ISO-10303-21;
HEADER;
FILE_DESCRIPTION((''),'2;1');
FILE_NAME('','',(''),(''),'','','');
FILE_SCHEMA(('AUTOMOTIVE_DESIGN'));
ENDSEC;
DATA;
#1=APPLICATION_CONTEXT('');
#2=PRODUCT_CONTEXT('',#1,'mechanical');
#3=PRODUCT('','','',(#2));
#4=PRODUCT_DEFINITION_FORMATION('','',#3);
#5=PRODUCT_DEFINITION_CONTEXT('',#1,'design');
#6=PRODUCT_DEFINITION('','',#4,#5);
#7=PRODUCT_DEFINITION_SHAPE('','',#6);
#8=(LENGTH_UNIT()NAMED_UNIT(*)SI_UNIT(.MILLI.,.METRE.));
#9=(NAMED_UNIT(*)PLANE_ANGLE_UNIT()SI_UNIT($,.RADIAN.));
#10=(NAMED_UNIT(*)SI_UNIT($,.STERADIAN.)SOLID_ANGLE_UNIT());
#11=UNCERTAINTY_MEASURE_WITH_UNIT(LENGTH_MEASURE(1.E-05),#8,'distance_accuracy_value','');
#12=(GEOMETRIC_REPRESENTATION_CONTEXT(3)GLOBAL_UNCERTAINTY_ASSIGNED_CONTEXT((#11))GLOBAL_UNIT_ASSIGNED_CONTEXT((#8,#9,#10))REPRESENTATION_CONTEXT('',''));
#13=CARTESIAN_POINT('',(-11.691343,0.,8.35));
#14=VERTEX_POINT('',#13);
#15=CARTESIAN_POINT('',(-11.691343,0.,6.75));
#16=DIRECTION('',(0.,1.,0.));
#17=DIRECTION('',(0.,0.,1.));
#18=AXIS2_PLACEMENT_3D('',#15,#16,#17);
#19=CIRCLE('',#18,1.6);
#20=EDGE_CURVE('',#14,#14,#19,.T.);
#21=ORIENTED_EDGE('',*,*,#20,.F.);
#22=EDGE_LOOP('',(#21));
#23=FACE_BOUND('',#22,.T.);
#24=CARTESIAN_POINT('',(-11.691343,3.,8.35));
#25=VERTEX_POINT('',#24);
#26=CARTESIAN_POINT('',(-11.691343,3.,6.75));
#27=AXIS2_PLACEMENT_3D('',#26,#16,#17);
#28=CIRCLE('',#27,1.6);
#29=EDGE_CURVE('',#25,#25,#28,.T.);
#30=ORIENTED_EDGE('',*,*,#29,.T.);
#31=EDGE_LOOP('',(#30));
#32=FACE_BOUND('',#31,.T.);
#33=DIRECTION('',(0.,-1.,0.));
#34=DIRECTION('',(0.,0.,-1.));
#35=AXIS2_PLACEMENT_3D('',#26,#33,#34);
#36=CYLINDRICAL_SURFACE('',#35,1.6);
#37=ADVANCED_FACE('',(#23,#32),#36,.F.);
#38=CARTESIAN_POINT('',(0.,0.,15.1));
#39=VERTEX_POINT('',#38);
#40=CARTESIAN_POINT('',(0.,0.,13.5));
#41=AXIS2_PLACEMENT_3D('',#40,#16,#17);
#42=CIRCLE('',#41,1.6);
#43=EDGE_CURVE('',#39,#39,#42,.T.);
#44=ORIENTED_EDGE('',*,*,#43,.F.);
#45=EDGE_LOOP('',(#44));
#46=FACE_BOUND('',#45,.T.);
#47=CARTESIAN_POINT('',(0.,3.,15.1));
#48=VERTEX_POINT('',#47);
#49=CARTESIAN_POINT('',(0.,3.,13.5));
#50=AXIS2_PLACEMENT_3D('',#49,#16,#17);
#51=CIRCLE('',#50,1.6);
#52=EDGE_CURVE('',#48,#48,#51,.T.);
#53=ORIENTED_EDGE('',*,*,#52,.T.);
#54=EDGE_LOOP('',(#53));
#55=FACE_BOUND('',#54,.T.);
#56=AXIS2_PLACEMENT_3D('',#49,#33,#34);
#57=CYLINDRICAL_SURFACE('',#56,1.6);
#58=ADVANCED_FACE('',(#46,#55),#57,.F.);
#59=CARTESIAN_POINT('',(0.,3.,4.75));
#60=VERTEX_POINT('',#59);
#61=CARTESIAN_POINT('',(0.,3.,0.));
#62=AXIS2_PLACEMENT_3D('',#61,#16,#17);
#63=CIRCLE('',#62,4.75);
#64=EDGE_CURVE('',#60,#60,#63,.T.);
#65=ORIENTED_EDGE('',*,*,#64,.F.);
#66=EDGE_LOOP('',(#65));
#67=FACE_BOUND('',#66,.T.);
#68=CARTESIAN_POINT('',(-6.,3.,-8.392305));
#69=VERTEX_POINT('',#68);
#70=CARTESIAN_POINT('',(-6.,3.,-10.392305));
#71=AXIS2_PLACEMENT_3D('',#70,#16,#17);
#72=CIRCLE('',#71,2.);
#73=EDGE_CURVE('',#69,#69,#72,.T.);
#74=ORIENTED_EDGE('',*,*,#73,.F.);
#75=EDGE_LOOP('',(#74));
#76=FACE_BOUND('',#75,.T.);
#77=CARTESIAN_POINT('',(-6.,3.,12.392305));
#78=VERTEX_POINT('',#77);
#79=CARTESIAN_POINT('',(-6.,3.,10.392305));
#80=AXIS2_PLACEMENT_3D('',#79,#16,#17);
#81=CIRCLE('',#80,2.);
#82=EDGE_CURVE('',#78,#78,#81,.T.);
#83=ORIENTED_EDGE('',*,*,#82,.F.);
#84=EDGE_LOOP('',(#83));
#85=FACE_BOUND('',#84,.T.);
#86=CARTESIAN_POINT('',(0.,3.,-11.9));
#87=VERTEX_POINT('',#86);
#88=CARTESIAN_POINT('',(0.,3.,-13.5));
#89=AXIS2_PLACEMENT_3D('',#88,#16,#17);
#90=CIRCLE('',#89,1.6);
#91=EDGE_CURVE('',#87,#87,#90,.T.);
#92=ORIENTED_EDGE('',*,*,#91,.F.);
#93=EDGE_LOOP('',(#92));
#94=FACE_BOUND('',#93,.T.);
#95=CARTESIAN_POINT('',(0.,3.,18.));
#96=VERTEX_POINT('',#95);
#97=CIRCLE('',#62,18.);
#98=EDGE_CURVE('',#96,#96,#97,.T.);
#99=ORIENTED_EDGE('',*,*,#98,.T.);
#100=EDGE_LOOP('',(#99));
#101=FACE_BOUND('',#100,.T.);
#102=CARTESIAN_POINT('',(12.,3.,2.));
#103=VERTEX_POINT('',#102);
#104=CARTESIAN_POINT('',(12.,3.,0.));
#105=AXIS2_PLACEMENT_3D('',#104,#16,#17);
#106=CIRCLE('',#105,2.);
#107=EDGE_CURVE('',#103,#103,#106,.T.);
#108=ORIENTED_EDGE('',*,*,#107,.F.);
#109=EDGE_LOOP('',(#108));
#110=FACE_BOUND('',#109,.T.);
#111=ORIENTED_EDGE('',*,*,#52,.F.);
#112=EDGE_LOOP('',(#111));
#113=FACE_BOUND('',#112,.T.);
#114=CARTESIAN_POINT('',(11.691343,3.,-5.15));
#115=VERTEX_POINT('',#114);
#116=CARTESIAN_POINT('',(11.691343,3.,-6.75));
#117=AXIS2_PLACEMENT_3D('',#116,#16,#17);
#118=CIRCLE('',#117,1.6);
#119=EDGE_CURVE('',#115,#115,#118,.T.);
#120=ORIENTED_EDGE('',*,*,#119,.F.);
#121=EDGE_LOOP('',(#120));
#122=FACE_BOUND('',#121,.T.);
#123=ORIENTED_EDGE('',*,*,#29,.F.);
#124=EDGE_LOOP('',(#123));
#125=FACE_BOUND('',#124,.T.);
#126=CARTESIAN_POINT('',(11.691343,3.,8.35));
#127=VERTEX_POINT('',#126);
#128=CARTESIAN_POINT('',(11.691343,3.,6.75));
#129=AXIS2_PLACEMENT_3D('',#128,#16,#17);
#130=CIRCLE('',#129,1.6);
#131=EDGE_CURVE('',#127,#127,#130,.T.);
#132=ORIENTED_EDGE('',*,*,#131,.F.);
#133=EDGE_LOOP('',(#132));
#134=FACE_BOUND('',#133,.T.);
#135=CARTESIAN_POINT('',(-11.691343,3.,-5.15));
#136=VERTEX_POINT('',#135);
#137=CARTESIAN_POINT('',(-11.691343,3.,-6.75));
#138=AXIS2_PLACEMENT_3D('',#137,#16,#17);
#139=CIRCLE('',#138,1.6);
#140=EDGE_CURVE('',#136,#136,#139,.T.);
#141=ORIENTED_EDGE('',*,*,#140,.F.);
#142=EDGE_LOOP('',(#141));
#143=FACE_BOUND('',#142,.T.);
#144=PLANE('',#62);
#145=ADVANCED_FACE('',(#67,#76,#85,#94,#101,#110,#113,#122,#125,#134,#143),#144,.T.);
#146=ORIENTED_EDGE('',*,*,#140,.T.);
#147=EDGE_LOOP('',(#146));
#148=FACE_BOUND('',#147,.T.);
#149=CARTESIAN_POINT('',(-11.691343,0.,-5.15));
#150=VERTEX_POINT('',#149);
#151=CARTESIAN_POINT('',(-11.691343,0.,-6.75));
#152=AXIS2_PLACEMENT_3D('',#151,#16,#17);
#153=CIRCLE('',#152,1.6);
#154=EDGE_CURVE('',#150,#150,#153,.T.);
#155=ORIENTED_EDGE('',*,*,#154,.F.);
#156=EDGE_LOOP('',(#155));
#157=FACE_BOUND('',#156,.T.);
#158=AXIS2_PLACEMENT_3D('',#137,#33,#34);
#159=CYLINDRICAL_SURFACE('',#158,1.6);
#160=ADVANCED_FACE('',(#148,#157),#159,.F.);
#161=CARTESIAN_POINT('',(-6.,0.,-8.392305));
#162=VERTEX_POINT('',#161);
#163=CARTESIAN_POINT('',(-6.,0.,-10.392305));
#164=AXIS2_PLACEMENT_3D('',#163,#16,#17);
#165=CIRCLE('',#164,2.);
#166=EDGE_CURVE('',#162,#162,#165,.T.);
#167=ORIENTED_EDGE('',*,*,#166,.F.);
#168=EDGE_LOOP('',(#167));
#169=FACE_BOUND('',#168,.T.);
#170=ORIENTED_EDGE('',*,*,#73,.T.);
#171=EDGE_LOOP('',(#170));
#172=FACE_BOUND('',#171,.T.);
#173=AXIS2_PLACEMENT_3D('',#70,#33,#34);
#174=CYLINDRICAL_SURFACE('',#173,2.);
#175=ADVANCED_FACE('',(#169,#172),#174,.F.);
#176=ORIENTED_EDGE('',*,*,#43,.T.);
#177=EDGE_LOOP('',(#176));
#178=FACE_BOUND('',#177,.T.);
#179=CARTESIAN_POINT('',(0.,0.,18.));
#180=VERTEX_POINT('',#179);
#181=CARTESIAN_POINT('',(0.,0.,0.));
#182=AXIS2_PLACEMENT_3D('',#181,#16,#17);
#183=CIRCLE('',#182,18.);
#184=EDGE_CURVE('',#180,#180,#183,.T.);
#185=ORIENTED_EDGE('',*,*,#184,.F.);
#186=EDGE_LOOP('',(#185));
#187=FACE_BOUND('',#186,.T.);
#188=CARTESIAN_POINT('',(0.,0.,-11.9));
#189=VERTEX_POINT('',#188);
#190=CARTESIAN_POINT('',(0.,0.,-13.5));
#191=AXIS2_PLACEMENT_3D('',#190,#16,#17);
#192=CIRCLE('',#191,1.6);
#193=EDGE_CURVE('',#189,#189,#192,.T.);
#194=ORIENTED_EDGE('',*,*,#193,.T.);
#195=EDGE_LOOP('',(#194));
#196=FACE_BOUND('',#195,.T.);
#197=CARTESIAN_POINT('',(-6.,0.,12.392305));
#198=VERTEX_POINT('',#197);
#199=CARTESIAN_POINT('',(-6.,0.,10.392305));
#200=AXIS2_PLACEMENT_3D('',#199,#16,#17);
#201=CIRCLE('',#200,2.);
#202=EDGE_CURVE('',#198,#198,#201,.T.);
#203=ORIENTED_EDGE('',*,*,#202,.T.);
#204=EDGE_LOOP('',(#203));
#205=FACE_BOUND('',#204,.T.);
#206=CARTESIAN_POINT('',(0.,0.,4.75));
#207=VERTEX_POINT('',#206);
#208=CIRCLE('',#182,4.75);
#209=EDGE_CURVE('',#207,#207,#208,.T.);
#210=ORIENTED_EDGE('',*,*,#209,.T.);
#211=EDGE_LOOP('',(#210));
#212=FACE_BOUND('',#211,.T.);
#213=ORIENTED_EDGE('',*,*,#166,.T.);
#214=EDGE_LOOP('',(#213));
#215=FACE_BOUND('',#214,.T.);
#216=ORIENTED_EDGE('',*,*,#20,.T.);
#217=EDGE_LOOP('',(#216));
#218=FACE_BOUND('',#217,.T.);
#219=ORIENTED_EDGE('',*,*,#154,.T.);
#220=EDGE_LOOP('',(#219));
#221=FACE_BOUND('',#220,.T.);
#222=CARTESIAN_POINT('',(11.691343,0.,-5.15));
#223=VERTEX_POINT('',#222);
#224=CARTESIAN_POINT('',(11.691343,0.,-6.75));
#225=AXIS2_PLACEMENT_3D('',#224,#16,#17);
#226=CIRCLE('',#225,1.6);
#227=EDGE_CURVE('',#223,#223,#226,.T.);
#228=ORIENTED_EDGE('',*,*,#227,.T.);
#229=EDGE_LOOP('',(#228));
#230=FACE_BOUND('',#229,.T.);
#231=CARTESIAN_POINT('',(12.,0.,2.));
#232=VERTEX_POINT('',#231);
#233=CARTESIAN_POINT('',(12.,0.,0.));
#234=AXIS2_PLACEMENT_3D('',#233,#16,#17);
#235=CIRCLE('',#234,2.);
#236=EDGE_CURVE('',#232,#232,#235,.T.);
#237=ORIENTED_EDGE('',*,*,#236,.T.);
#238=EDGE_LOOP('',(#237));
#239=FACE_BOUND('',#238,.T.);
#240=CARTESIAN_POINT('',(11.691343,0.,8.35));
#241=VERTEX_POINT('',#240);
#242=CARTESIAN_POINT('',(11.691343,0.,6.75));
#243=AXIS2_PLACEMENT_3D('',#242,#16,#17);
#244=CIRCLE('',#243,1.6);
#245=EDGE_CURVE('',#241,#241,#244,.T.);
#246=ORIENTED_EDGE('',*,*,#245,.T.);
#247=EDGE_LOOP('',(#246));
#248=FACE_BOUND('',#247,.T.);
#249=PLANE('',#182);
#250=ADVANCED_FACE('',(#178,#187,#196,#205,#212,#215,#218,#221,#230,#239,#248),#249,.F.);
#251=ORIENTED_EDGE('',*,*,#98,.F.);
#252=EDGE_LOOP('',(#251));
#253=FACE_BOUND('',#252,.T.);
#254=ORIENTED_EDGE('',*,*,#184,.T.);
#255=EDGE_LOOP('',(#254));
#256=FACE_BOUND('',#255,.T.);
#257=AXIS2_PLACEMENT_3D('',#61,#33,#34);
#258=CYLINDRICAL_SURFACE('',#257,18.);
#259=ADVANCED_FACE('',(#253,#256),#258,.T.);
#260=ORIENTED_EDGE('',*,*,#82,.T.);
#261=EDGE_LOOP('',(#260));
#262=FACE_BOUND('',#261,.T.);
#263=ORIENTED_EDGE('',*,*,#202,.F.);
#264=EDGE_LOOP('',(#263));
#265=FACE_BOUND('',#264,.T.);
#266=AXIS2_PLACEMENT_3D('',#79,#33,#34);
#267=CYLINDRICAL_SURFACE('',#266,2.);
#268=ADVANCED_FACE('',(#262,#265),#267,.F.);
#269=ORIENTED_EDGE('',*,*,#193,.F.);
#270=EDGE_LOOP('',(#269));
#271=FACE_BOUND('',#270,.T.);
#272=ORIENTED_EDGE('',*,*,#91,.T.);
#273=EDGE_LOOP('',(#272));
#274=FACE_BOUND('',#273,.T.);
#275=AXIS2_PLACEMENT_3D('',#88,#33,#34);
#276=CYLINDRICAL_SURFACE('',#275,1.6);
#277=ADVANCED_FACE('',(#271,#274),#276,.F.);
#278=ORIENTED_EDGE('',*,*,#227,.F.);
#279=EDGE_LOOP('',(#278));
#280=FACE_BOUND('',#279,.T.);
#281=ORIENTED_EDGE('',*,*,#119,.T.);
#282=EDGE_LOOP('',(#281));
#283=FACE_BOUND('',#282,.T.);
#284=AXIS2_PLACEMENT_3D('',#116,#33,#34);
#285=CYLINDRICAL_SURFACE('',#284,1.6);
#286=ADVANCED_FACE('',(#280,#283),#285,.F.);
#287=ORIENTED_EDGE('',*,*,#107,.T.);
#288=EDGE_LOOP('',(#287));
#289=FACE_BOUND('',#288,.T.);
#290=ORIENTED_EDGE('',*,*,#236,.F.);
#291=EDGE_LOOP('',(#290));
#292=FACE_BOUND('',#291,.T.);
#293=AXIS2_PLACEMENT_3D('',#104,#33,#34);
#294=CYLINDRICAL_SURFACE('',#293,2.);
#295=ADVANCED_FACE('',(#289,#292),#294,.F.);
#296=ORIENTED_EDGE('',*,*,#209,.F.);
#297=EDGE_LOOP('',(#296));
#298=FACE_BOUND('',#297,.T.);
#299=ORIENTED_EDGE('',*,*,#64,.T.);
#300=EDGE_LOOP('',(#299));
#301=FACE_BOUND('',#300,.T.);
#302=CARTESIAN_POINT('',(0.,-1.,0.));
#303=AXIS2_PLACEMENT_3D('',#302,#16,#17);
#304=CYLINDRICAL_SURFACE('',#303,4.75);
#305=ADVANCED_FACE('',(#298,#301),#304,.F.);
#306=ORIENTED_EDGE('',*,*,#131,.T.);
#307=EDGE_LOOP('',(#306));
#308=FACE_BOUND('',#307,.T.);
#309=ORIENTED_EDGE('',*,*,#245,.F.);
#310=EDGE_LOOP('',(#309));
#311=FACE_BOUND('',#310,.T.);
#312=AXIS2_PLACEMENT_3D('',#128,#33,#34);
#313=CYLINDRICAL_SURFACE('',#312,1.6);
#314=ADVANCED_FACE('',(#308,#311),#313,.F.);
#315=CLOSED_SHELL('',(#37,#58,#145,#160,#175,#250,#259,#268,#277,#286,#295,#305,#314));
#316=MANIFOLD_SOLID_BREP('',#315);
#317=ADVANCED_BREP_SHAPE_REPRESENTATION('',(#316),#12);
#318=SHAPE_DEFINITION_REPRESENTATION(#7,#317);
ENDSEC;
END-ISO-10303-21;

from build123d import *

# Parameters (mm, degrees)
SKETCH_1_R          = 18
SKETCH_1_R_2        = 1.6
SKETCH_1_R_3        = 2
EXTRUDE_1_DEPTH     = 3
SKETCH_3_R          = 4.75
CUT_EXTRUDE_1_DEPTH = 4


with BuildPart() as part:
    # 草图1 → 凸台-拉伸1 (new body)
    with BuildSketch(Plane(origin=(0, 0, 0), x_dir=(1, 0, 0), z_dir=(0, 1, 0))):
        with Locations(Location((0, 0, 0), (0, 0, 270))):
            Circle(SKETCH_1_R)
        with Locations(Location((0, 13.5, 0), (0, 0, 270))):
            Circle(SKETCH_1_R_2, mode=Mode.SUBTRACT)
        with Locations(Location((11.691342951, 6.75, 0), (0, 0, 270))):
            Circle(SKETCH_1_R_2, mode=Mode.SUBTRACT)
        with Locations(Location((11.691342951, -6.75, 0), (0, 0, 270))):
            Circle(SKETCH_1_R_2, mode=Mode.SUBTRACT)
        with Locations(Location((0, -13.5, 0), (0, 0, 270))):
            Circle(SKETCH_1_R_2, mode=Mode.SUBTRACT)
        with Locations(Location((-11.691342951, -6.75, 0), (0, 0, 270))):
            Circle(SKETCH_1_R_2, mode=Mode.SUBTRACT)
        with Locations(Location((-11.691342951, 6.75, 0), (0, 0, 270))):
            Circle(SKETCH_1_R_2, mode=Mode.SUBTRACT)
        with Locations(Location((12, 0, 0), (0, 0, 270))):
            Circle(SKETCH_1_R_3, mode=Mode.SUBTRACT)
        with Locations(Location((-6, -10.392304845, 0), (0, 0, 270))):
            Circle(SKETCH_1_R_3, mode=Mode.SUBTRACT)
        with Locations(Location((-6, 10.392304845, 0), (0, 0, 270))):
            Circle(SKETCH_1_R_3, mode=Mode.SUBTRACT)
    extrude(amount=EXTRUDE_1_DEPTH)

    # 草图3 → 切除-拉伸1 (cut)
    with BuildSketch(Plane(origin=(0, 3, 0), x_dir=(1, 0, 0), z_dir=(0, 1, 0))):
        with Locations(Location((0, 0, 0), (0, 0, 270))):
            Circle(SKETCH_3_R)
    extrude(amount=-CUT_EXTRUDE_1_DEPTH, mode=Mode.SUBTRACT)


solid = part.part
